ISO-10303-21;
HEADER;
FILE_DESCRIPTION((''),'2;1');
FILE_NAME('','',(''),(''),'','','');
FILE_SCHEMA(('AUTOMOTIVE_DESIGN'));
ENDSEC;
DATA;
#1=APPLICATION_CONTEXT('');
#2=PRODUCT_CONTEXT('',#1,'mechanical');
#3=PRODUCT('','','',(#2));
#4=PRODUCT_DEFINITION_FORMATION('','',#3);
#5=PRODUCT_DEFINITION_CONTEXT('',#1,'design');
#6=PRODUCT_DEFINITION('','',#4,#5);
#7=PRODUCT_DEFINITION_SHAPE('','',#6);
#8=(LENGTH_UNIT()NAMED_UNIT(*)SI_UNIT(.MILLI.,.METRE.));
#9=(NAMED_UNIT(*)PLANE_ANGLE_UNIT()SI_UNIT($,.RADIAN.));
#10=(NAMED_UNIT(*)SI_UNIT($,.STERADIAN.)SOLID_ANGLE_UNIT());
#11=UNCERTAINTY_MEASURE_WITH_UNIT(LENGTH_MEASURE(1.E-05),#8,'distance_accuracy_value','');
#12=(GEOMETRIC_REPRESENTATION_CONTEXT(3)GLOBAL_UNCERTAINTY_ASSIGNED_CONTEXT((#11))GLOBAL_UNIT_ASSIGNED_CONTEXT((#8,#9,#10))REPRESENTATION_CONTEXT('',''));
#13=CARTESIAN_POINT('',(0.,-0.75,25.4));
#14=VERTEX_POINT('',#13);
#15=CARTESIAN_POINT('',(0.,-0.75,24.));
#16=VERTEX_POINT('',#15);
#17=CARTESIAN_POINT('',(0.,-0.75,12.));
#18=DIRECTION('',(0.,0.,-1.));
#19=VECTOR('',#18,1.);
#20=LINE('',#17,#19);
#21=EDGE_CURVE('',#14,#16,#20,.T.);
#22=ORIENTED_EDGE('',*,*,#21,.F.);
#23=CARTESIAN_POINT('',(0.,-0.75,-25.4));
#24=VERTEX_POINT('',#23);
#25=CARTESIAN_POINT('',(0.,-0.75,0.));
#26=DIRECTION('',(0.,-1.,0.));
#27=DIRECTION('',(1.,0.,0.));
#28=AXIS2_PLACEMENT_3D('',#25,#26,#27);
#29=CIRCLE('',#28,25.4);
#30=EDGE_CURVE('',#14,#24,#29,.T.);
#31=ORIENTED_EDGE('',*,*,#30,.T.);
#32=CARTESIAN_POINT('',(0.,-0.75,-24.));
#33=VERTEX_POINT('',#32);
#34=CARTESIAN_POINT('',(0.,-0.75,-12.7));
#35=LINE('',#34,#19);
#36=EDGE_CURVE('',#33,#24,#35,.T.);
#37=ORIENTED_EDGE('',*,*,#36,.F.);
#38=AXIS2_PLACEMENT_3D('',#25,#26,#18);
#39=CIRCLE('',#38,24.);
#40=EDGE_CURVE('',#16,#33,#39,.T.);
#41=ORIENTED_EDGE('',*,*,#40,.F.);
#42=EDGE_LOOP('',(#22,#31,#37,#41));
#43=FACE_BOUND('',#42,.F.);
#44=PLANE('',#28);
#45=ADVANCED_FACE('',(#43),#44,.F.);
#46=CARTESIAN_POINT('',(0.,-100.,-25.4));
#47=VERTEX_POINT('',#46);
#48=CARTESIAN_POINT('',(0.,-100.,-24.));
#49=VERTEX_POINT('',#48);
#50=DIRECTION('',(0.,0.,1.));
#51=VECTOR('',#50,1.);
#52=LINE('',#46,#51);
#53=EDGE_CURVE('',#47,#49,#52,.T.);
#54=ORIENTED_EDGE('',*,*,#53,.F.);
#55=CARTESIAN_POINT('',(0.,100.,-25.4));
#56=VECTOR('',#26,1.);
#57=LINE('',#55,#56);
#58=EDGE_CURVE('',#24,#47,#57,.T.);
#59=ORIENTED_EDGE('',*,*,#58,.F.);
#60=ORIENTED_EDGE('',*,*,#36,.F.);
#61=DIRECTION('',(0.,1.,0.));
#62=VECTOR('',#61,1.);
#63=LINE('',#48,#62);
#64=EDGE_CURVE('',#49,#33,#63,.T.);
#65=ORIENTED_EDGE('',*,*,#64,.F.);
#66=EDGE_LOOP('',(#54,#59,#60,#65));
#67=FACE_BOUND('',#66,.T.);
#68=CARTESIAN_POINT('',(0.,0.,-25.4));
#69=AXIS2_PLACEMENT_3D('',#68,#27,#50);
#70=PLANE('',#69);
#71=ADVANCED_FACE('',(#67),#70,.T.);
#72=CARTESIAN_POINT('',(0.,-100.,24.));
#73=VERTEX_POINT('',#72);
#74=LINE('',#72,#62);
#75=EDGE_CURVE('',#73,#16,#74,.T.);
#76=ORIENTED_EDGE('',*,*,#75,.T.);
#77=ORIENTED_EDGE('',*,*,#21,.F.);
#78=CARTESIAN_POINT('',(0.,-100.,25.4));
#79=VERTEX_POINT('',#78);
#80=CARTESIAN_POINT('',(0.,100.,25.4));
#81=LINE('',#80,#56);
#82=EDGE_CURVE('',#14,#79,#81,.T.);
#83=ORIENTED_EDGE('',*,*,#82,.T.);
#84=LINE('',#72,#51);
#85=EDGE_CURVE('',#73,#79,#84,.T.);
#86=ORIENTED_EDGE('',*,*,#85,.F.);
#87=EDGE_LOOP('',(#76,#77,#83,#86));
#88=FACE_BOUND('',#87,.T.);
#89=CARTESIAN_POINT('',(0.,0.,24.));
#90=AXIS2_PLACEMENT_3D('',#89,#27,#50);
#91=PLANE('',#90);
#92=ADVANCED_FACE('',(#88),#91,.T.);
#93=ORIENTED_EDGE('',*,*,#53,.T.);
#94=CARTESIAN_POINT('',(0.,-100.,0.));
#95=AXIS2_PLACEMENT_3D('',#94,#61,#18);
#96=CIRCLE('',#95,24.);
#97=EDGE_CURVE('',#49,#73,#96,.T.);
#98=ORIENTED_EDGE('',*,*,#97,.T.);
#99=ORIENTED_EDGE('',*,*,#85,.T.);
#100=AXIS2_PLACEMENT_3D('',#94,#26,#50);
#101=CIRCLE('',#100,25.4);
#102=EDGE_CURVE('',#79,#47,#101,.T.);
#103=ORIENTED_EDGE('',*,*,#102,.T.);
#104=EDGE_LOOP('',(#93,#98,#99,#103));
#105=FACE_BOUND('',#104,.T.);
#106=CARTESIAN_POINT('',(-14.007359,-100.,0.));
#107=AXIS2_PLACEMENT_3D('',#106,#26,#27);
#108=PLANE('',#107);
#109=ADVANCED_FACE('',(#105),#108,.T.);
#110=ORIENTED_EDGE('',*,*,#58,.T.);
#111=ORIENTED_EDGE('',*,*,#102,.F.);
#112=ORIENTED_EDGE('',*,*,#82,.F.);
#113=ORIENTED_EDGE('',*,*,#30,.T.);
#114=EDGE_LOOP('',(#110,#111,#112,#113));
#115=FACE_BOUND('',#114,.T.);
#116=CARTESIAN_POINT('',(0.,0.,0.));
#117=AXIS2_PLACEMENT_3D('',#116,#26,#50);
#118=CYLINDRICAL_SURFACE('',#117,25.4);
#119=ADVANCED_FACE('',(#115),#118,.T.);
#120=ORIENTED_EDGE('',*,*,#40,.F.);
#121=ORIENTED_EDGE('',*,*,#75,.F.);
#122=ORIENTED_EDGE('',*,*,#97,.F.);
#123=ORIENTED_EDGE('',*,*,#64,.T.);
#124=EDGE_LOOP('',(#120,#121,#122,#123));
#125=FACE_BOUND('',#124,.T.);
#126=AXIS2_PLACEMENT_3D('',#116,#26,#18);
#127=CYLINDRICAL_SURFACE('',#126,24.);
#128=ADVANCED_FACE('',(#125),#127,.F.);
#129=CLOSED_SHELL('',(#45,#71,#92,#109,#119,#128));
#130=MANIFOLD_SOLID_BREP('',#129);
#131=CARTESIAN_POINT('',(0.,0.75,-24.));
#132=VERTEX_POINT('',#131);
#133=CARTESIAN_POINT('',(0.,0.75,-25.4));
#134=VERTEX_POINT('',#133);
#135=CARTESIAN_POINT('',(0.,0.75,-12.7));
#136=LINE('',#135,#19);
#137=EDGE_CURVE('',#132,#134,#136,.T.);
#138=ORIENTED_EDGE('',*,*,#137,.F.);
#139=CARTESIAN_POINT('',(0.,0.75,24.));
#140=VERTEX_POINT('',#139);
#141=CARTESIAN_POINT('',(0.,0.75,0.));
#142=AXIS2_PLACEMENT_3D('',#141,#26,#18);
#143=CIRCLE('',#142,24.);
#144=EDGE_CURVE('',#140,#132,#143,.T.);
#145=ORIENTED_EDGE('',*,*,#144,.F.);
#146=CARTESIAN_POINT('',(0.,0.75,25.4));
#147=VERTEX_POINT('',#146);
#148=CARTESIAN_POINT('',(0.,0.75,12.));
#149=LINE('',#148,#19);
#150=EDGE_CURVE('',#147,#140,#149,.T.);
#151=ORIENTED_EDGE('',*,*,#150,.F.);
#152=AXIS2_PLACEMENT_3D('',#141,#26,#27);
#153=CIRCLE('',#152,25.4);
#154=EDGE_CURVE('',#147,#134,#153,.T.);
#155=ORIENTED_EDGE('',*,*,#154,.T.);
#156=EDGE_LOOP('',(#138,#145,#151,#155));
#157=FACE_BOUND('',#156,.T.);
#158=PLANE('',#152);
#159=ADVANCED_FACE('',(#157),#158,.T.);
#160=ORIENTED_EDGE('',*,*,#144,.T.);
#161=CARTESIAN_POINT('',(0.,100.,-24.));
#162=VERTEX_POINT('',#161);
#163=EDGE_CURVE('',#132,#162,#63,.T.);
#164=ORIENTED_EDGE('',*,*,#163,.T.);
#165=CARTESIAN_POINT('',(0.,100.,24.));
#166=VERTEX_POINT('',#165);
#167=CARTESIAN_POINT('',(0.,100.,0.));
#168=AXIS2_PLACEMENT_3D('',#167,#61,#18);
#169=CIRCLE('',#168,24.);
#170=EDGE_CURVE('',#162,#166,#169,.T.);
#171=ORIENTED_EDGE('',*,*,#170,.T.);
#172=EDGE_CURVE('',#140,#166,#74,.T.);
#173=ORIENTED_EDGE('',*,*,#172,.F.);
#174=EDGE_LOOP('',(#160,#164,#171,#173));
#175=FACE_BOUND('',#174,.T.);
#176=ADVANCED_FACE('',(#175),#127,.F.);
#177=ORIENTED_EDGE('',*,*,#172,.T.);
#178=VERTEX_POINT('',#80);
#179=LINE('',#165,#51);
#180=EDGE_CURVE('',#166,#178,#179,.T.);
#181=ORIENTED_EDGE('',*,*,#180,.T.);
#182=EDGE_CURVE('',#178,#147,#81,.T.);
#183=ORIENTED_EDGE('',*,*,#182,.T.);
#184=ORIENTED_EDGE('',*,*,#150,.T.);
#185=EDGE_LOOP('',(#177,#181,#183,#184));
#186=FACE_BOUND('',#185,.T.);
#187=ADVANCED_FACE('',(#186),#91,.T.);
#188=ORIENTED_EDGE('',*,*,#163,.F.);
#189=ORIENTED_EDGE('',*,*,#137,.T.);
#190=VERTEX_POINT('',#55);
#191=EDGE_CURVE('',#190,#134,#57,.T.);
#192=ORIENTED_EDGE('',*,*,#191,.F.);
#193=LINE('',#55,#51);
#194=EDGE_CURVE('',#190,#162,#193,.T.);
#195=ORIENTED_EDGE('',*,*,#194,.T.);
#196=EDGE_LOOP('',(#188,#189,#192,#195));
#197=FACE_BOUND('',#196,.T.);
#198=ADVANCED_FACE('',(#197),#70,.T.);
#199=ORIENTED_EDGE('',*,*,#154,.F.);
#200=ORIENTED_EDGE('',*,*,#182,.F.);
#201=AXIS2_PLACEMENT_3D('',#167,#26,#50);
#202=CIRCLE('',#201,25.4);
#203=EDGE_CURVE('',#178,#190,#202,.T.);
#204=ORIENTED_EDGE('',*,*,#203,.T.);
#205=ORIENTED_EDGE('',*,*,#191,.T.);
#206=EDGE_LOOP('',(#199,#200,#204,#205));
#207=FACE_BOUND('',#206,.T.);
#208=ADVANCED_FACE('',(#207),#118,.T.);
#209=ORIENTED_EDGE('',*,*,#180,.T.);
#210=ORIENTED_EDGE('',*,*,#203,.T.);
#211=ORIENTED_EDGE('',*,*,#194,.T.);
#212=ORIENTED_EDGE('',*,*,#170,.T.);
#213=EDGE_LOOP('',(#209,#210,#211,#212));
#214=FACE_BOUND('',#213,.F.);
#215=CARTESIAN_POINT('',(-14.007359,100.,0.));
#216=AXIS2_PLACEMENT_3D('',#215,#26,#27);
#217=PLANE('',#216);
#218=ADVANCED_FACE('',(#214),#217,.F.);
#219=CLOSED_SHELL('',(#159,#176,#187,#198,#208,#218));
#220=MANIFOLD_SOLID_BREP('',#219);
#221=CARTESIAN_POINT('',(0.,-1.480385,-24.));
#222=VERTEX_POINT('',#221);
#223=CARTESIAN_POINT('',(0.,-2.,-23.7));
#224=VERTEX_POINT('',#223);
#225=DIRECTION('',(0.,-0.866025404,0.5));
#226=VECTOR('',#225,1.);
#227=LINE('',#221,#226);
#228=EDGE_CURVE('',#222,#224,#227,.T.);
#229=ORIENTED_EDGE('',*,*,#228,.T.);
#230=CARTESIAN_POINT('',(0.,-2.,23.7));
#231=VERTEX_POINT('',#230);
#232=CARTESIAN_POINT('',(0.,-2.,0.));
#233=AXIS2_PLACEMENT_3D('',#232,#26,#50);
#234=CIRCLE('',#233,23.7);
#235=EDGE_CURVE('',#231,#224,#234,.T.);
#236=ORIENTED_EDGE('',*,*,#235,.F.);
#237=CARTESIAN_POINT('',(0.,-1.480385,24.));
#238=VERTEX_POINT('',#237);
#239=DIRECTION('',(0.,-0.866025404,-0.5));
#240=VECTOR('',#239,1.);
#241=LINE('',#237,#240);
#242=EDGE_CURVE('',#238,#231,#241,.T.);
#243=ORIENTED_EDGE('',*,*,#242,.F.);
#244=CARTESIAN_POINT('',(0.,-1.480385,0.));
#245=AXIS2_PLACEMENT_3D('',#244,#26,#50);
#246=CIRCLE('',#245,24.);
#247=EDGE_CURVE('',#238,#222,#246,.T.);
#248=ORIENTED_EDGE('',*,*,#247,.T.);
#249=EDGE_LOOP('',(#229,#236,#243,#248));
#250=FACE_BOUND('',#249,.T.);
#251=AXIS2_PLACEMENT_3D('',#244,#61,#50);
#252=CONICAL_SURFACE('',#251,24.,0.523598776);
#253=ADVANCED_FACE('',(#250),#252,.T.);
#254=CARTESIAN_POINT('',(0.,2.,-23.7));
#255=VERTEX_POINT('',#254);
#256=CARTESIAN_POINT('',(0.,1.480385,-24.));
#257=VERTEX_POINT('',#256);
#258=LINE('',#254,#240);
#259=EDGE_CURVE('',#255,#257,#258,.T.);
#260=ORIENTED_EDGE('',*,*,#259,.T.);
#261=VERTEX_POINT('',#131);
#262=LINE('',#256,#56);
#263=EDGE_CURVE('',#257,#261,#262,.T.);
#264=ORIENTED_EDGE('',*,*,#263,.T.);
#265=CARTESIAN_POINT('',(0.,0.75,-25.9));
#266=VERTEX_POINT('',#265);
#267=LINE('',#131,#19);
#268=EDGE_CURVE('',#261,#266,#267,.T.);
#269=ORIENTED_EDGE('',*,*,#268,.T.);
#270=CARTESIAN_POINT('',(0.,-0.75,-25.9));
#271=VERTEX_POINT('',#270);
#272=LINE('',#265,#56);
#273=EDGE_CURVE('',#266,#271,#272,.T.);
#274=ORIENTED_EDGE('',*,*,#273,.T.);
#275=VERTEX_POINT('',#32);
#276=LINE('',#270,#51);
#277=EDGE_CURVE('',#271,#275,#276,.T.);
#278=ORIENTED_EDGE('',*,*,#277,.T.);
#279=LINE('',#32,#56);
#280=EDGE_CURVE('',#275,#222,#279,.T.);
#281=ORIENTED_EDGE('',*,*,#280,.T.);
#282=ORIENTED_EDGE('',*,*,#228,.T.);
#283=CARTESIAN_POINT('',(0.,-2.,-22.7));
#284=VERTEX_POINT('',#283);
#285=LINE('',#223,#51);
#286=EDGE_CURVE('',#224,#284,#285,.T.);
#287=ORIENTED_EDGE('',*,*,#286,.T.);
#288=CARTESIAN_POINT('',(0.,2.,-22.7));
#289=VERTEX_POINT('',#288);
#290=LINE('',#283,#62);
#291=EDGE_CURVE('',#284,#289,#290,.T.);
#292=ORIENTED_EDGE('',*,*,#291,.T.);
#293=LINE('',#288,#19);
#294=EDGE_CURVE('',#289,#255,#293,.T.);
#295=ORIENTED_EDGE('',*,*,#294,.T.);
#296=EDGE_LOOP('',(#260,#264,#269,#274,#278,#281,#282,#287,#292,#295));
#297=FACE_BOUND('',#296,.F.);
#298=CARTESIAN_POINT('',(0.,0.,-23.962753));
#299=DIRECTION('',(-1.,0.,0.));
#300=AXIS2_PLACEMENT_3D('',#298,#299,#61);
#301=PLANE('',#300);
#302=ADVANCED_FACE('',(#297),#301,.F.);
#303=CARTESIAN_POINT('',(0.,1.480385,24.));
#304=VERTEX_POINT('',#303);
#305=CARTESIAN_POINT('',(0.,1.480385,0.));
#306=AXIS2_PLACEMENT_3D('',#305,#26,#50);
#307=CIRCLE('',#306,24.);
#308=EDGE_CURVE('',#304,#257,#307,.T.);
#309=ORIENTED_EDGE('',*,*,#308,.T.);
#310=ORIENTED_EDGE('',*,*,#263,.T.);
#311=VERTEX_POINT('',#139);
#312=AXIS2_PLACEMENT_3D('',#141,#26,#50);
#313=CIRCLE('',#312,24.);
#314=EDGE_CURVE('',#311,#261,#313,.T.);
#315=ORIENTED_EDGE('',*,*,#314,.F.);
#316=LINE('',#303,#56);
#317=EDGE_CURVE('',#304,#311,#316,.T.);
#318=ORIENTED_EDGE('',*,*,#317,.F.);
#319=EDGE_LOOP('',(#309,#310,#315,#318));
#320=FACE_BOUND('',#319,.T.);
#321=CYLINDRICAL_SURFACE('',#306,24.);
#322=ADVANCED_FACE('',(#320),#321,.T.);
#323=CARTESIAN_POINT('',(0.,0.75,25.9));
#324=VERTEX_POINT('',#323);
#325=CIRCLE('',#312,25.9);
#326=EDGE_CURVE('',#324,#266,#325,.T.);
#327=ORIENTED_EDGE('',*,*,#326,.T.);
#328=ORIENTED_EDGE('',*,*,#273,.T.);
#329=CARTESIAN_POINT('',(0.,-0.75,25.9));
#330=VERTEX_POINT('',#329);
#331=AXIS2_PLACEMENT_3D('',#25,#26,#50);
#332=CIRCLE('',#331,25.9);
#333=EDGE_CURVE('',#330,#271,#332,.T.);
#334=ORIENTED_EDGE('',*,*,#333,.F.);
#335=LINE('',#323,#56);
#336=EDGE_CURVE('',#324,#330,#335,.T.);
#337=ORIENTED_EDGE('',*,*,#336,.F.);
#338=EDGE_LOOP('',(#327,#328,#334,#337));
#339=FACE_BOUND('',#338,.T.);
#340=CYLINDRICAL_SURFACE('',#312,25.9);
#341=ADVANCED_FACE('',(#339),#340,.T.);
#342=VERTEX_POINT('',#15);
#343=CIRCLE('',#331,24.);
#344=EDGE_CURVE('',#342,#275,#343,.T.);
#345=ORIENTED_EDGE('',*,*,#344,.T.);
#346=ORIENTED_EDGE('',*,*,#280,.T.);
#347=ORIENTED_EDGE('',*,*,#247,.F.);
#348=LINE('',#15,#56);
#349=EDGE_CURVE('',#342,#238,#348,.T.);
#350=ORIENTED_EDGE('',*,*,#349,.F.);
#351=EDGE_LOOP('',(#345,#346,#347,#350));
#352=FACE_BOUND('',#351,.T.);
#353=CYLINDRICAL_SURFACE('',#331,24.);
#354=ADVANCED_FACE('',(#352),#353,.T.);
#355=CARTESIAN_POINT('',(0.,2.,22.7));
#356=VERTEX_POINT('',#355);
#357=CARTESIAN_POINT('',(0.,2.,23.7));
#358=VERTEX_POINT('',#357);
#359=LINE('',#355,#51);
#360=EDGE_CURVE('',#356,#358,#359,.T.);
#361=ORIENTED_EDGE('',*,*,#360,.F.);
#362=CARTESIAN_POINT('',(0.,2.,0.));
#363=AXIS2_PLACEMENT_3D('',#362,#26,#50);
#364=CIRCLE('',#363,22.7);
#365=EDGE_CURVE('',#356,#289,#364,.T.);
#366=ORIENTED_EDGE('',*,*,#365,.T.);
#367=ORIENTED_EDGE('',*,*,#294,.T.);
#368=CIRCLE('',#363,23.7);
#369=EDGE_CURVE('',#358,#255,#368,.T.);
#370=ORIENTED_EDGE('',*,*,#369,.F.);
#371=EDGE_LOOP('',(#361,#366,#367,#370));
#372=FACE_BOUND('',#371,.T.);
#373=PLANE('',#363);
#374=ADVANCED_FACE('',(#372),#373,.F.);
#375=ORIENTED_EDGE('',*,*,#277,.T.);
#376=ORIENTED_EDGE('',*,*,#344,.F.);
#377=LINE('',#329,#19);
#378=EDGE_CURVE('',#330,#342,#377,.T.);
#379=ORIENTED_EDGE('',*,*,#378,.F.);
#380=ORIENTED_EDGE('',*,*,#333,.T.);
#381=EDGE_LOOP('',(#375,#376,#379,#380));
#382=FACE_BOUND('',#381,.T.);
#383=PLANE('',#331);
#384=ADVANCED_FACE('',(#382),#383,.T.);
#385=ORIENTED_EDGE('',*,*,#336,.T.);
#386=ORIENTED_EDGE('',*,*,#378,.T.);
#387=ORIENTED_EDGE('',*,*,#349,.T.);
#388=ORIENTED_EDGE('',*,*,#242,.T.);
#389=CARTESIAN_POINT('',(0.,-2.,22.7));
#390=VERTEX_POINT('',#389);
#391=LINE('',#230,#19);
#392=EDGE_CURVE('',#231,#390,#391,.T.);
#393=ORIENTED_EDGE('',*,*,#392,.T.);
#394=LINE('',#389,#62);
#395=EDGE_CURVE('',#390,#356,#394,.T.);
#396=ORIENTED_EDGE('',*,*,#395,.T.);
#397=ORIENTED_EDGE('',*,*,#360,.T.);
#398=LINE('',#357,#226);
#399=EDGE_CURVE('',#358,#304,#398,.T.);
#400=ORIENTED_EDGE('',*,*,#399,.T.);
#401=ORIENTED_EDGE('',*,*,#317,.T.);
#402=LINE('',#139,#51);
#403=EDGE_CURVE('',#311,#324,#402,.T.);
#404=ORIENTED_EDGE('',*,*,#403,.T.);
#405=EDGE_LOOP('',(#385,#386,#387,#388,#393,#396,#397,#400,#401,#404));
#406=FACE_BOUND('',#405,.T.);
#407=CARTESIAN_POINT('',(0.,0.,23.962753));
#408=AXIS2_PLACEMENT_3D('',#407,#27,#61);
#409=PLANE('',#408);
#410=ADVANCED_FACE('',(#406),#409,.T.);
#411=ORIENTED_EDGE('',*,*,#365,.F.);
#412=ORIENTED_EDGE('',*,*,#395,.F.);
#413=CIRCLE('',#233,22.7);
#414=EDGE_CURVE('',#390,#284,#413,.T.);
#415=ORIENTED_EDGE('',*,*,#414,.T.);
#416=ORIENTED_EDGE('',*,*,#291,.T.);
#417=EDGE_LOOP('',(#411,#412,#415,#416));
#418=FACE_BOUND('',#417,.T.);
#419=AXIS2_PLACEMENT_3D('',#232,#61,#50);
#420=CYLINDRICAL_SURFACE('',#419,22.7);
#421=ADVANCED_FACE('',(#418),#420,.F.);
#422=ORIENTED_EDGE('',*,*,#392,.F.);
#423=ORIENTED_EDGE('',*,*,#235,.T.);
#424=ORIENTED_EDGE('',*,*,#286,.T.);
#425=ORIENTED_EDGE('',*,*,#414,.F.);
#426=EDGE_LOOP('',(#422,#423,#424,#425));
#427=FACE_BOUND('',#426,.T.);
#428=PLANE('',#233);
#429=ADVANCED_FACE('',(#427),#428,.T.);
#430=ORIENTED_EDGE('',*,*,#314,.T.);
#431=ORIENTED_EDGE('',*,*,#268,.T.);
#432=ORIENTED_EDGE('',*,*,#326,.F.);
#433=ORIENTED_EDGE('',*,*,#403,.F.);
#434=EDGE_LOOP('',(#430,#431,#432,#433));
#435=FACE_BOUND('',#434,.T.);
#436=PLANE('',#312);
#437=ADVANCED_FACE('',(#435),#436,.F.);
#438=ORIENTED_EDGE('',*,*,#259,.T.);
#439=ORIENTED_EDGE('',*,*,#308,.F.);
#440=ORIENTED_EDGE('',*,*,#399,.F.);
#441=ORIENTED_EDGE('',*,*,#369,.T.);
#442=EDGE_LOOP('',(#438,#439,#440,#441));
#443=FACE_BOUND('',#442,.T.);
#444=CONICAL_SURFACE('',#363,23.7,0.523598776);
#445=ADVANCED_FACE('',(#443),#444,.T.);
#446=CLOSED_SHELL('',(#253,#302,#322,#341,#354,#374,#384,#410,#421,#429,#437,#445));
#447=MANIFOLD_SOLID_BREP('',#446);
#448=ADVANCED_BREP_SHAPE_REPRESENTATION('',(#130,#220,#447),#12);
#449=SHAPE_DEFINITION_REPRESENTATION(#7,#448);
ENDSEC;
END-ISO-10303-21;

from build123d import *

# Parameters (mm, degrees)
F1_DEPTH = 100
F2_R     = 25.4
F3_DEPTH = 0.75
F5_ANGLE = 180


with BuildPart() as f1:
    # F0 (on Front) → F1 (new body, symmetric)
    with BuildSketch(Plane.XZ):
        with BuildLine():
            Line((0, 24), (0, 25.4))
            ThreePointArc((0, 25.4), (-25.4, 0), (0, -25.4))
            Line((0, -25.4), (0, -24))
            ThreePointArc((0, -24), (-24, 0), (0, 24))
        make_face()
    extrude(amount=F1_DEPTH, both=True)

    # F2 (on Front) → F3 (cut, symmetric)
    with BuildSketch(Plane.XZ):
        Circle(F2_R)
    extrude(amount=F3_DEPTH, both=True, mode=Mode.SUBTRACT)


with BuildPart() as f5:
    # F4 (on Right) → F5 (revolve)
    with BuildSketch(Plane.YZ):
        Polygon((0.75, 25.9), (-0.75, 25.9), (-0.75, 24), (-1.4803847577, 24), (-2, 23.7), (-2, 22.7), (2, 22.7), (2, 23.7), (1.4803847577, 24), (0.75, 24), (0.75, 25.4), align=None)
    revolve(axis=Axis((0, 0, 0), (0, -1, 0)), revolution_arc=F5_ANGLE)


solid = Compound([f1.part, f5.part])
